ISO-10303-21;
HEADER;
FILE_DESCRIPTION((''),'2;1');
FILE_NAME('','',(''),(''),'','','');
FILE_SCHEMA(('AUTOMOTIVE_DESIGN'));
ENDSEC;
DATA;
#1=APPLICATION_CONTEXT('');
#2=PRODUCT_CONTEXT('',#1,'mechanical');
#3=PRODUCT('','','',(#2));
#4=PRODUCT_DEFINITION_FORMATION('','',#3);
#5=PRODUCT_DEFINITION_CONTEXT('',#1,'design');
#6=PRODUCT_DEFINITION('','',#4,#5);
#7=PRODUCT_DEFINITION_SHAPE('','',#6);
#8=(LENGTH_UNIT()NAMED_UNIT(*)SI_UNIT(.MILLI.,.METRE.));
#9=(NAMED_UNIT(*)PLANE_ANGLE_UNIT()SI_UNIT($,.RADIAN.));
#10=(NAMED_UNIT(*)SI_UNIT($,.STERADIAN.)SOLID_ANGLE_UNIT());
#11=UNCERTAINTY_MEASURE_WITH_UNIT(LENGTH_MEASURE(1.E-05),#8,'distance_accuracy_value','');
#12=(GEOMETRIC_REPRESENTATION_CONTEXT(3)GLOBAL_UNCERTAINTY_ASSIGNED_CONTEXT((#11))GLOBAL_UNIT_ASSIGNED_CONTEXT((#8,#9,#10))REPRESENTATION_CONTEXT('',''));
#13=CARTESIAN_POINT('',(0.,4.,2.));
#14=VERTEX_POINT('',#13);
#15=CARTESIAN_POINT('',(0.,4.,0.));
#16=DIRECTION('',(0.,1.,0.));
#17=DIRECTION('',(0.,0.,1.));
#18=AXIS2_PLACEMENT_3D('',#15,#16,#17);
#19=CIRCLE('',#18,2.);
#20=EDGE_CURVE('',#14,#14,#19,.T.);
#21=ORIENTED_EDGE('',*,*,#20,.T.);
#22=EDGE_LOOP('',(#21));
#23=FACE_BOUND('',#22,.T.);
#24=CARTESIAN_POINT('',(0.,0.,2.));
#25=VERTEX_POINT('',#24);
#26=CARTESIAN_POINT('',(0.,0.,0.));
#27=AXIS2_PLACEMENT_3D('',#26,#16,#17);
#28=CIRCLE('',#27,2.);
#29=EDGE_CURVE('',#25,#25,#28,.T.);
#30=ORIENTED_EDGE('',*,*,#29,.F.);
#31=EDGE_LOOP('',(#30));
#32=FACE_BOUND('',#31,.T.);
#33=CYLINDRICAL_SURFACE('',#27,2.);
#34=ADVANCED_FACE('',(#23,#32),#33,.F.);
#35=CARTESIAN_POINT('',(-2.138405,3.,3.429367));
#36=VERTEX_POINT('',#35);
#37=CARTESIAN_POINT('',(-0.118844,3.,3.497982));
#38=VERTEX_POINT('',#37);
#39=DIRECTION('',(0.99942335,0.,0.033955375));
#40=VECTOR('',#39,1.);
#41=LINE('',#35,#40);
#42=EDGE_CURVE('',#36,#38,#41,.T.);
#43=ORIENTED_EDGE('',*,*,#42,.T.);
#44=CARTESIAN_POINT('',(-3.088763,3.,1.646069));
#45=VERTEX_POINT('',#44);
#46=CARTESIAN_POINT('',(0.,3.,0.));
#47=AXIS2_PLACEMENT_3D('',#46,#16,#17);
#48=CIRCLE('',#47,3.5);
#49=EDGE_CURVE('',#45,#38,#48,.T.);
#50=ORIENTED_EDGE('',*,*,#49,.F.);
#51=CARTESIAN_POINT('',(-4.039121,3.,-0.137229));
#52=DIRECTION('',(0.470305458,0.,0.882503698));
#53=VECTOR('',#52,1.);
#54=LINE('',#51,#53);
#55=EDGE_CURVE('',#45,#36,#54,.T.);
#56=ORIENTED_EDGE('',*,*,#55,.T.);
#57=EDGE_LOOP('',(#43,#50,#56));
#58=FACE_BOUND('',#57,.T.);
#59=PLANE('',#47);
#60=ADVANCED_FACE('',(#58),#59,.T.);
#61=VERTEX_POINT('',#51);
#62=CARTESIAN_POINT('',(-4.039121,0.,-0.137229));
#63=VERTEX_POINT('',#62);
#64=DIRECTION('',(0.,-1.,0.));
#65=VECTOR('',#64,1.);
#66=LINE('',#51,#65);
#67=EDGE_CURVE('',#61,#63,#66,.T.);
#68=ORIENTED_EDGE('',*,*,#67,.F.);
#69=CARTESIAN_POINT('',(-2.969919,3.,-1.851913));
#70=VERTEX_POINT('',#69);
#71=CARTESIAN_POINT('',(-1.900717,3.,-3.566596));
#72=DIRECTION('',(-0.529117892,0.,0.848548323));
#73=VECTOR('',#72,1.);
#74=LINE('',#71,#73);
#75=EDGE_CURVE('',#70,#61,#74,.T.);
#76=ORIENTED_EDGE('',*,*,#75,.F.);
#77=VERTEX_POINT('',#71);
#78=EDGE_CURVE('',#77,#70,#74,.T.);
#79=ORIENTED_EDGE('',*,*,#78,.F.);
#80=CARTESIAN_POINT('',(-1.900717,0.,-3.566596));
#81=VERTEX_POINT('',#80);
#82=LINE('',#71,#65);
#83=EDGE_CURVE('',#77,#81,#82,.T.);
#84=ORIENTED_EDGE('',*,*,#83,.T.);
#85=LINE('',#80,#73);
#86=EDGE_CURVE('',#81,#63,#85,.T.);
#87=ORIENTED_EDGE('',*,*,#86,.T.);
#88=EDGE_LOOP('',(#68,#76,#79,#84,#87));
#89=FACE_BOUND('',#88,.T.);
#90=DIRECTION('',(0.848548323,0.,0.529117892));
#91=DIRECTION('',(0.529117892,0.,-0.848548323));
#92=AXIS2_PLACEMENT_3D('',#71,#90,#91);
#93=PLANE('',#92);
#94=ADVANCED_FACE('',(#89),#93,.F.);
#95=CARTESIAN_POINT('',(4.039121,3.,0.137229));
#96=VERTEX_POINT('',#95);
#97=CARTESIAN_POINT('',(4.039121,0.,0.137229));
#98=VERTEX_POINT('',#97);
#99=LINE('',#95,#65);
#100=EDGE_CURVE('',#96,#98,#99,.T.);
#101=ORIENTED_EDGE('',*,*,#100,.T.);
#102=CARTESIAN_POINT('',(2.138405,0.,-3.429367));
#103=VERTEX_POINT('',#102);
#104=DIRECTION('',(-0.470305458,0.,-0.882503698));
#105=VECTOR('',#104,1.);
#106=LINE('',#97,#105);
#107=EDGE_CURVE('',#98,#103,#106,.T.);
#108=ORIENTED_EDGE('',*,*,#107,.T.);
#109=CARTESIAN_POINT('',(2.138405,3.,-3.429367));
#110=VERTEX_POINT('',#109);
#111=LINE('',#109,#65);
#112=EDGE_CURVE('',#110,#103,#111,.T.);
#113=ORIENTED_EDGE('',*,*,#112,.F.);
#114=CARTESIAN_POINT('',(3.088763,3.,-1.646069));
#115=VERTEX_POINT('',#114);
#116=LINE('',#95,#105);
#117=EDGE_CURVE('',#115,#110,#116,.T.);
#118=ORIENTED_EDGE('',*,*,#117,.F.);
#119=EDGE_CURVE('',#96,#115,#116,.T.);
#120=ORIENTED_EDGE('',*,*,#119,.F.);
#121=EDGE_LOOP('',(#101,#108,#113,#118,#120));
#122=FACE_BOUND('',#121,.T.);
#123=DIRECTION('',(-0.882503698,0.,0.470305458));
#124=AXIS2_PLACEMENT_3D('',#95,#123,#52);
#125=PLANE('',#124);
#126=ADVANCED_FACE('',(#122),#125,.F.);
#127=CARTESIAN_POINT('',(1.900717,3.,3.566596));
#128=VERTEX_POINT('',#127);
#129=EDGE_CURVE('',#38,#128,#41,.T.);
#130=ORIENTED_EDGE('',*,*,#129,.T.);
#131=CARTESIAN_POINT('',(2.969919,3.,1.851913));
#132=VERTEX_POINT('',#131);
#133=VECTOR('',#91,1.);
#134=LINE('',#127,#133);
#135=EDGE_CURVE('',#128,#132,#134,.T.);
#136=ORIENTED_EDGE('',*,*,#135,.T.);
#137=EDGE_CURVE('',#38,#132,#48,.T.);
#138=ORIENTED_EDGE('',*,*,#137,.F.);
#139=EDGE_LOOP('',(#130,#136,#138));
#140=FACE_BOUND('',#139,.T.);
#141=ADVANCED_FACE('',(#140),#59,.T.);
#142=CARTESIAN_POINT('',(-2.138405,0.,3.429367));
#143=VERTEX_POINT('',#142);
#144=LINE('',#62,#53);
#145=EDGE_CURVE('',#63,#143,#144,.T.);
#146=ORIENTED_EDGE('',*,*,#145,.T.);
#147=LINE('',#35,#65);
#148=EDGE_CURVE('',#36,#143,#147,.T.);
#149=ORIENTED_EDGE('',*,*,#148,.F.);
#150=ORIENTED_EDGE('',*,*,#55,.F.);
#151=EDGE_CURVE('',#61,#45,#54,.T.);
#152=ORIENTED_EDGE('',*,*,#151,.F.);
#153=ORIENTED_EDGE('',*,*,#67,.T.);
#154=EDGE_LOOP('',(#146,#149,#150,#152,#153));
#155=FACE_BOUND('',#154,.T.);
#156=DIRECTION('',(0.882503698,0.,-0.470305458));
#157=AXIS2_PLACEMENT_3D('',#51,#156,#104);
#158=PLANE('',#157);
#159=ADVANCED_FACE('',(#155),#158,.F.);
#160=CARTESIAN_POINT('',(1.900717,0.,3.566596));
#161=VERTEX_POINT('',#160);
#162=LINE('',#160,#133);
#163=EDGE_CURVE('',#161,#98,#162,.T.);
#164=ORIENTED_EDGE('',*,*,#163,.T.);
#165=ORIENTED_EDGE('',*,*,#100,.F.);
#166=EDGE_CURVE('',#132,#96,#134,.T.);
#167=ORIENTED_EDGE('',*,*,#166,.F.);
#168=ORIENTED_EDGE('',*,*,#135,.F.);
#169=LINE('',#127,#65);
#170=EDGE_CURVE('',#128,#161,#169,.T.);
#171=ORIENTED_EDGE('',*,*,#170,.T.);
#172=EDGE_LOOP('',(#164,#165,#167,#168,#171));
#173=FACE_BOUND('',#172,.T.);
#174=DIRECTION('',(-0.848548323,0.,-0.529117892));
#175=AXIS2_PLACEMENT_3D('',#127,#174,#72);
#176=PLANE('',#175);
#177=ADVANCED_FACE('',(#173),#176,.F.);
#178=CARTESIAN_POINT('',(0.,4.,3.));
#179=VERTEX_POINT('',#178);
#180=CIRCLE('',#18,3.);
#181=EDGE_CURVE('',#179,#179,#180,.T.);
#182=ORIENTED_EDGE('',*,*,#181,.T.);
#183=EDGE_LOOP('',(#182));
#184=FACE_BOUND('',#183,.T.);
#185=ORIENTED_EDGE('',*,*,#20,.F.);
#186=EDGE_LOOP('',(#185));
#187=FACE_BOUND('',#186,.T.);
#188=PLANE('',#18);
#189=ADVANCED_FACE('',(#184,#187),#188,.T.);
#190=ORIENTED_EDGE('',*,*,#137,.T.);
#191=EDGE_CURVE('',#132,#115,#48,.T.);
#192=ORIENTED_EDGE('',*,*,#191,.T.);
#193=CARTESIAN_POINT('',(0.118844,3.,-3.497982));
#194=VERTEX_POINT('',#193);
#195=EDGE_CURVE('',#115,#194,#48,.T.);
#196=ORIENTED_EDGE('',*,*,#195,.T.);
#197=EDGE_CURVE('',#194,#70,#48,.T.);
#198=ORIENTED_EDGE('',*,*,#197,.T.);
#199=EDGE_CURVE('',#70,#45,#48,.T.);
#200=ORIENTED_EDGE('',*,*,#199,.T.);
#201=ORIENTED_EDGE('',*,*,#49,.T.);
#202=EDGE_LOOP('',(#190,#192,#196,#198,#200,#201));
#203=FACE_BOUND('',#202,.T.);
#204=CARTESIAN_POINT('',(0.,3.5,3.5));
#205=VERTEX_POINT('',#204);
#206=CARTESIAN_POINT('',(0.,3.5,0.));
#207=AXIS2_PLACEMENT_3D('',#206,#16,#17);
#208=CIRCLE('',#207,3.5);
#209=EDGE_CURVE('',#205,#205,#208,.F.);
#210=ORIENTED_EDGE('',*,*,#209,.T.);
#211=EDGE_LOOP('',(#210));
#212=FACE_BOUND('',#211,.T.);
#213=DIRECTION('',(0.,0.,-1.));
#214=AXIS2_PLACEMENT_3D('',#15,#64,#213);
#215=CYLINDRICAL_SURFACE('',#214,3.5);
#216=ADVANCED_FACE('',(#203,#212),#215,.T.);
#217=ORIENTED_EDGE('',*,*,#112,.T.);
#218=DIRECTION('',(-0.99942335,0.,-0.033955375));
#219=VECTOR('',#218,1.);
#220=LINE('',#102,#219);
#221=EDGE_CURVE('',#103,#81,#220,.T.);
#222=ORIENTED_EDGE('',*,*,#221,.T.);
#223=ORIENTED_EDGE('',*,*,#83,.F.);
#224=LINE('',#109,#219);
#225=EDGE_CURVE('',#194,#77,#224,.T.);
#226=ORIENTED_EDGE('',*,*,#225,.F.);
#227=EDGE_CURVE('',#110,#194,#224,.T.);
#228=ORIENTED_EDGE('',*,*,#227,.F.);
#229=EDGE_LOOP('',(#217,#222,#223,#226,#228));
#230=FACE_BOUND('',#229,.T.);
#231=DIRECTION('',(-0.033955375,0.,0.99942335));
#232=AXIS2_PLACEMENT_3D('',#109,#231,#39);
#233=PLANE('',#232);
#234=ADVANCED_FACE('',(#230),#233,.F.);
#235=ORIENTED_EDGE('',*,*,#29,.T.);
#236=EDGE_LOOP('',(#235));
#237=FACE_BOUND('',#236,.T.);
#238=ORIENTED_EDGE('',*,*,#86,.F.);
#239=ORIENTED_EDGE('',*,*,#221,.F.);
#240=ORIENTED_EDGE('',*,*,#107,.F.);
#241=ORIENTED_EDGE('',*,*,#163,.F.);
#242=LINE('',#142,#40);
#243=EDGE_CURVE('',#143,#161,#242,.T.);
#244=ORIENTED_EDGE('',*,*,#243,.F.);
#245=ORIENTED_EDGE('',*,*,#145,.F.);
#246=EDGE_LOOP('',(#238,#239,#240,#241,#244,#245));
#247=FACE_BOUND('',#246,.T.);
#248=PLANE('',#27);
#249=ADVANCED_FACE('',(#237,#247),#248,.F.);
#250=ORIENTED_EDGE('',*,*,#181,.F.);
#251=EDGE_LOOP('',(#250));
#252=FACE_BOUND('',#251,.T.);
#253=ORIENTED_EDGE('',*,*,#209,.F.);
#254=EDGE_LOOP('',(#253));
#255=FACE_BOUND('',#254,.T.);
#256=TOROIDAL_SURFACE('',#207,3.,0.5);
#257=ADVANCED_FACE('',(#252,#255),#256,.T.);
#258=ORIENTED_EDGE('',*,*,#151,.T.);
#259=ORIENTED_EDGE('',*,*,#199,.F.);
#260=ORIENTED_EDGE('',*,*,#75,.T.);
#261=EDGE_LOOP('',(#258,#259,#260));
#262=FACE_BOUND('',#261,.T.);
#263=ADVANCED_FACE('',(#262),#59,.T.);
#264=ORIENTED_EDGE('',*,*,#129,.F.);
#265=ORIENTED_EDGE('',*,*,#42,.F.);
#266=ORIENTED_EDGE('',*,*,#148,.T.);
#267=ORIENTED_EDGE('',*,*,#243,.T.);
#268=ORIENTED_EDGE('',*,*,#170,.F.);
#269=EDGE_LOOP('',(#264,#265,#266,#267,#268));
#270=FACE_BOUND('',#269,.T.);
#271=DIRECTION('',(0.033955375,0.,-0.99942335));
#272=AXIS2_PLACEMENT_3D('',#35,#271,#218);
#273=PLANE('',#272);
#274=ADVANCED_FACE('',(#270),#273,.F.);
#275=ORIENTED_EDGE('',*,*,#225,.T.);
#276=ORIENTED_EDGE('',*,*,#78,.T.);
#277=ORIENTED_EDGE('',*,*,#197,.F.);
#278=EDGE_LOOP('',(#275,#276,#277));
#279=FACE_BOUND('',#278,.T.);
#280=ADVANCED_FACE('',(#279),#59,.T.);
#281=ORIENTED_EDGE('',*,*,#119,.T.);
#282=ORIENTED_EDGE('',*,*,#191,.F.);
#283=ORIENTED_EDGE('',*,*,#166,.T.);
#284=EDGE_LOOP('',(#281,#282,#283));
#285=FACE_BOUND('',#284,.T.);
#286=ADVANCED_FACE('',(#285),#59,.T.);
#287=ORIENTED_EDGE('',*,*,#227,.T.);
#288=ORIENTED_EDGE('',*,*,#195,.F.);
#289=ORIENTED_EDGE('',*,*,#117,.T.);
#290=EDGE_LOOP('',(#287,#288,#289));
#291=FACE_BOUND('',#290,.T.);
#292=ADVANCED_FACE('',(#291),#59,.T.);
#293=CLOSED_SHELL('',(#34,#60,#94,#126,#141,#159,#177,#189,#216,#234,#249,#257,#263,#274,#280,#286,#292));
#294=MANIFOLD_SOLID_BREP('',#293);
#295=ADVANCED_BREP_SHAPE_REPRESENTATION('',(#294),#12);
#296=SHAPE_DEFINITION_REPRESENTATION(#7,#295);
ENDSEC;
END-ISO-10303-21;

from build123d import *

# Parameters (mm, degrees)
EXTRUDE_1_DEPTH     = 3
SKETCH_2_R          = 3.5
EXTRUDE_2_DEPTH     = 1
SKETCH_4_R          = 2
CUT_EXTRUDE_1_DEPTH = 7.710820383
FILLET_1_R          = 0.5


with BuildPart() as part:
    # 草图1 → 凸台-拉伸1 (new body)
    with BuildSketch(Plane(origin=(0, 0, 0), x_dir=(1, 0, 0), z_dir=(0, 1, 0))):
        Polygon((2.138404501, 3.429367219), (-1.90071688, 3.566596231), (-4.039121381, 0.137229012), (-2.138404501, -3.429367219), (1.90071688, -3.566596231), (4.039121381, -0.137229012), align=None)
    extrude(amount=EXTRUDE_1_DEPTH)

    # 草图2 → 凸台-拉伸2 (add)
    with BuildSketch(Plane(origin=(0, 3, 0), x_dir=(1, 0, 0), z_dir=(0, 1, 0))):
        with Locations(Location((0, 0, 0), (0, 0, 88.054126305))):
            Circle(SKETCH_2_R)
    extrude(amount=EXTRUDE_2_DEPTH)

    # 草图4 → 切除-拉伸1 (cut, through all)
    with BuildSketch(Plane(origin=(0, 4, 0), x_dir=(1, 0, 0), z_dir=(0, 1, 0))):
        with Locations(Location((0, 0, 0), (0, 0, 270))):
            Circle(SKETCH_4_R)
    extrude(amount=-CUT_EXTRUDE_1_DEPTH, mode=Mode.SUBTRACT)

    # 圆角1
    fillet_1_edges = [part.edges().sort_by_distance(p)[0] for p in [
        (-0.118843811, 4, 3.497981725),
    ]]
    fillet(fillet_1_edges, radius=FILLET_1_R)


solid = part.part
